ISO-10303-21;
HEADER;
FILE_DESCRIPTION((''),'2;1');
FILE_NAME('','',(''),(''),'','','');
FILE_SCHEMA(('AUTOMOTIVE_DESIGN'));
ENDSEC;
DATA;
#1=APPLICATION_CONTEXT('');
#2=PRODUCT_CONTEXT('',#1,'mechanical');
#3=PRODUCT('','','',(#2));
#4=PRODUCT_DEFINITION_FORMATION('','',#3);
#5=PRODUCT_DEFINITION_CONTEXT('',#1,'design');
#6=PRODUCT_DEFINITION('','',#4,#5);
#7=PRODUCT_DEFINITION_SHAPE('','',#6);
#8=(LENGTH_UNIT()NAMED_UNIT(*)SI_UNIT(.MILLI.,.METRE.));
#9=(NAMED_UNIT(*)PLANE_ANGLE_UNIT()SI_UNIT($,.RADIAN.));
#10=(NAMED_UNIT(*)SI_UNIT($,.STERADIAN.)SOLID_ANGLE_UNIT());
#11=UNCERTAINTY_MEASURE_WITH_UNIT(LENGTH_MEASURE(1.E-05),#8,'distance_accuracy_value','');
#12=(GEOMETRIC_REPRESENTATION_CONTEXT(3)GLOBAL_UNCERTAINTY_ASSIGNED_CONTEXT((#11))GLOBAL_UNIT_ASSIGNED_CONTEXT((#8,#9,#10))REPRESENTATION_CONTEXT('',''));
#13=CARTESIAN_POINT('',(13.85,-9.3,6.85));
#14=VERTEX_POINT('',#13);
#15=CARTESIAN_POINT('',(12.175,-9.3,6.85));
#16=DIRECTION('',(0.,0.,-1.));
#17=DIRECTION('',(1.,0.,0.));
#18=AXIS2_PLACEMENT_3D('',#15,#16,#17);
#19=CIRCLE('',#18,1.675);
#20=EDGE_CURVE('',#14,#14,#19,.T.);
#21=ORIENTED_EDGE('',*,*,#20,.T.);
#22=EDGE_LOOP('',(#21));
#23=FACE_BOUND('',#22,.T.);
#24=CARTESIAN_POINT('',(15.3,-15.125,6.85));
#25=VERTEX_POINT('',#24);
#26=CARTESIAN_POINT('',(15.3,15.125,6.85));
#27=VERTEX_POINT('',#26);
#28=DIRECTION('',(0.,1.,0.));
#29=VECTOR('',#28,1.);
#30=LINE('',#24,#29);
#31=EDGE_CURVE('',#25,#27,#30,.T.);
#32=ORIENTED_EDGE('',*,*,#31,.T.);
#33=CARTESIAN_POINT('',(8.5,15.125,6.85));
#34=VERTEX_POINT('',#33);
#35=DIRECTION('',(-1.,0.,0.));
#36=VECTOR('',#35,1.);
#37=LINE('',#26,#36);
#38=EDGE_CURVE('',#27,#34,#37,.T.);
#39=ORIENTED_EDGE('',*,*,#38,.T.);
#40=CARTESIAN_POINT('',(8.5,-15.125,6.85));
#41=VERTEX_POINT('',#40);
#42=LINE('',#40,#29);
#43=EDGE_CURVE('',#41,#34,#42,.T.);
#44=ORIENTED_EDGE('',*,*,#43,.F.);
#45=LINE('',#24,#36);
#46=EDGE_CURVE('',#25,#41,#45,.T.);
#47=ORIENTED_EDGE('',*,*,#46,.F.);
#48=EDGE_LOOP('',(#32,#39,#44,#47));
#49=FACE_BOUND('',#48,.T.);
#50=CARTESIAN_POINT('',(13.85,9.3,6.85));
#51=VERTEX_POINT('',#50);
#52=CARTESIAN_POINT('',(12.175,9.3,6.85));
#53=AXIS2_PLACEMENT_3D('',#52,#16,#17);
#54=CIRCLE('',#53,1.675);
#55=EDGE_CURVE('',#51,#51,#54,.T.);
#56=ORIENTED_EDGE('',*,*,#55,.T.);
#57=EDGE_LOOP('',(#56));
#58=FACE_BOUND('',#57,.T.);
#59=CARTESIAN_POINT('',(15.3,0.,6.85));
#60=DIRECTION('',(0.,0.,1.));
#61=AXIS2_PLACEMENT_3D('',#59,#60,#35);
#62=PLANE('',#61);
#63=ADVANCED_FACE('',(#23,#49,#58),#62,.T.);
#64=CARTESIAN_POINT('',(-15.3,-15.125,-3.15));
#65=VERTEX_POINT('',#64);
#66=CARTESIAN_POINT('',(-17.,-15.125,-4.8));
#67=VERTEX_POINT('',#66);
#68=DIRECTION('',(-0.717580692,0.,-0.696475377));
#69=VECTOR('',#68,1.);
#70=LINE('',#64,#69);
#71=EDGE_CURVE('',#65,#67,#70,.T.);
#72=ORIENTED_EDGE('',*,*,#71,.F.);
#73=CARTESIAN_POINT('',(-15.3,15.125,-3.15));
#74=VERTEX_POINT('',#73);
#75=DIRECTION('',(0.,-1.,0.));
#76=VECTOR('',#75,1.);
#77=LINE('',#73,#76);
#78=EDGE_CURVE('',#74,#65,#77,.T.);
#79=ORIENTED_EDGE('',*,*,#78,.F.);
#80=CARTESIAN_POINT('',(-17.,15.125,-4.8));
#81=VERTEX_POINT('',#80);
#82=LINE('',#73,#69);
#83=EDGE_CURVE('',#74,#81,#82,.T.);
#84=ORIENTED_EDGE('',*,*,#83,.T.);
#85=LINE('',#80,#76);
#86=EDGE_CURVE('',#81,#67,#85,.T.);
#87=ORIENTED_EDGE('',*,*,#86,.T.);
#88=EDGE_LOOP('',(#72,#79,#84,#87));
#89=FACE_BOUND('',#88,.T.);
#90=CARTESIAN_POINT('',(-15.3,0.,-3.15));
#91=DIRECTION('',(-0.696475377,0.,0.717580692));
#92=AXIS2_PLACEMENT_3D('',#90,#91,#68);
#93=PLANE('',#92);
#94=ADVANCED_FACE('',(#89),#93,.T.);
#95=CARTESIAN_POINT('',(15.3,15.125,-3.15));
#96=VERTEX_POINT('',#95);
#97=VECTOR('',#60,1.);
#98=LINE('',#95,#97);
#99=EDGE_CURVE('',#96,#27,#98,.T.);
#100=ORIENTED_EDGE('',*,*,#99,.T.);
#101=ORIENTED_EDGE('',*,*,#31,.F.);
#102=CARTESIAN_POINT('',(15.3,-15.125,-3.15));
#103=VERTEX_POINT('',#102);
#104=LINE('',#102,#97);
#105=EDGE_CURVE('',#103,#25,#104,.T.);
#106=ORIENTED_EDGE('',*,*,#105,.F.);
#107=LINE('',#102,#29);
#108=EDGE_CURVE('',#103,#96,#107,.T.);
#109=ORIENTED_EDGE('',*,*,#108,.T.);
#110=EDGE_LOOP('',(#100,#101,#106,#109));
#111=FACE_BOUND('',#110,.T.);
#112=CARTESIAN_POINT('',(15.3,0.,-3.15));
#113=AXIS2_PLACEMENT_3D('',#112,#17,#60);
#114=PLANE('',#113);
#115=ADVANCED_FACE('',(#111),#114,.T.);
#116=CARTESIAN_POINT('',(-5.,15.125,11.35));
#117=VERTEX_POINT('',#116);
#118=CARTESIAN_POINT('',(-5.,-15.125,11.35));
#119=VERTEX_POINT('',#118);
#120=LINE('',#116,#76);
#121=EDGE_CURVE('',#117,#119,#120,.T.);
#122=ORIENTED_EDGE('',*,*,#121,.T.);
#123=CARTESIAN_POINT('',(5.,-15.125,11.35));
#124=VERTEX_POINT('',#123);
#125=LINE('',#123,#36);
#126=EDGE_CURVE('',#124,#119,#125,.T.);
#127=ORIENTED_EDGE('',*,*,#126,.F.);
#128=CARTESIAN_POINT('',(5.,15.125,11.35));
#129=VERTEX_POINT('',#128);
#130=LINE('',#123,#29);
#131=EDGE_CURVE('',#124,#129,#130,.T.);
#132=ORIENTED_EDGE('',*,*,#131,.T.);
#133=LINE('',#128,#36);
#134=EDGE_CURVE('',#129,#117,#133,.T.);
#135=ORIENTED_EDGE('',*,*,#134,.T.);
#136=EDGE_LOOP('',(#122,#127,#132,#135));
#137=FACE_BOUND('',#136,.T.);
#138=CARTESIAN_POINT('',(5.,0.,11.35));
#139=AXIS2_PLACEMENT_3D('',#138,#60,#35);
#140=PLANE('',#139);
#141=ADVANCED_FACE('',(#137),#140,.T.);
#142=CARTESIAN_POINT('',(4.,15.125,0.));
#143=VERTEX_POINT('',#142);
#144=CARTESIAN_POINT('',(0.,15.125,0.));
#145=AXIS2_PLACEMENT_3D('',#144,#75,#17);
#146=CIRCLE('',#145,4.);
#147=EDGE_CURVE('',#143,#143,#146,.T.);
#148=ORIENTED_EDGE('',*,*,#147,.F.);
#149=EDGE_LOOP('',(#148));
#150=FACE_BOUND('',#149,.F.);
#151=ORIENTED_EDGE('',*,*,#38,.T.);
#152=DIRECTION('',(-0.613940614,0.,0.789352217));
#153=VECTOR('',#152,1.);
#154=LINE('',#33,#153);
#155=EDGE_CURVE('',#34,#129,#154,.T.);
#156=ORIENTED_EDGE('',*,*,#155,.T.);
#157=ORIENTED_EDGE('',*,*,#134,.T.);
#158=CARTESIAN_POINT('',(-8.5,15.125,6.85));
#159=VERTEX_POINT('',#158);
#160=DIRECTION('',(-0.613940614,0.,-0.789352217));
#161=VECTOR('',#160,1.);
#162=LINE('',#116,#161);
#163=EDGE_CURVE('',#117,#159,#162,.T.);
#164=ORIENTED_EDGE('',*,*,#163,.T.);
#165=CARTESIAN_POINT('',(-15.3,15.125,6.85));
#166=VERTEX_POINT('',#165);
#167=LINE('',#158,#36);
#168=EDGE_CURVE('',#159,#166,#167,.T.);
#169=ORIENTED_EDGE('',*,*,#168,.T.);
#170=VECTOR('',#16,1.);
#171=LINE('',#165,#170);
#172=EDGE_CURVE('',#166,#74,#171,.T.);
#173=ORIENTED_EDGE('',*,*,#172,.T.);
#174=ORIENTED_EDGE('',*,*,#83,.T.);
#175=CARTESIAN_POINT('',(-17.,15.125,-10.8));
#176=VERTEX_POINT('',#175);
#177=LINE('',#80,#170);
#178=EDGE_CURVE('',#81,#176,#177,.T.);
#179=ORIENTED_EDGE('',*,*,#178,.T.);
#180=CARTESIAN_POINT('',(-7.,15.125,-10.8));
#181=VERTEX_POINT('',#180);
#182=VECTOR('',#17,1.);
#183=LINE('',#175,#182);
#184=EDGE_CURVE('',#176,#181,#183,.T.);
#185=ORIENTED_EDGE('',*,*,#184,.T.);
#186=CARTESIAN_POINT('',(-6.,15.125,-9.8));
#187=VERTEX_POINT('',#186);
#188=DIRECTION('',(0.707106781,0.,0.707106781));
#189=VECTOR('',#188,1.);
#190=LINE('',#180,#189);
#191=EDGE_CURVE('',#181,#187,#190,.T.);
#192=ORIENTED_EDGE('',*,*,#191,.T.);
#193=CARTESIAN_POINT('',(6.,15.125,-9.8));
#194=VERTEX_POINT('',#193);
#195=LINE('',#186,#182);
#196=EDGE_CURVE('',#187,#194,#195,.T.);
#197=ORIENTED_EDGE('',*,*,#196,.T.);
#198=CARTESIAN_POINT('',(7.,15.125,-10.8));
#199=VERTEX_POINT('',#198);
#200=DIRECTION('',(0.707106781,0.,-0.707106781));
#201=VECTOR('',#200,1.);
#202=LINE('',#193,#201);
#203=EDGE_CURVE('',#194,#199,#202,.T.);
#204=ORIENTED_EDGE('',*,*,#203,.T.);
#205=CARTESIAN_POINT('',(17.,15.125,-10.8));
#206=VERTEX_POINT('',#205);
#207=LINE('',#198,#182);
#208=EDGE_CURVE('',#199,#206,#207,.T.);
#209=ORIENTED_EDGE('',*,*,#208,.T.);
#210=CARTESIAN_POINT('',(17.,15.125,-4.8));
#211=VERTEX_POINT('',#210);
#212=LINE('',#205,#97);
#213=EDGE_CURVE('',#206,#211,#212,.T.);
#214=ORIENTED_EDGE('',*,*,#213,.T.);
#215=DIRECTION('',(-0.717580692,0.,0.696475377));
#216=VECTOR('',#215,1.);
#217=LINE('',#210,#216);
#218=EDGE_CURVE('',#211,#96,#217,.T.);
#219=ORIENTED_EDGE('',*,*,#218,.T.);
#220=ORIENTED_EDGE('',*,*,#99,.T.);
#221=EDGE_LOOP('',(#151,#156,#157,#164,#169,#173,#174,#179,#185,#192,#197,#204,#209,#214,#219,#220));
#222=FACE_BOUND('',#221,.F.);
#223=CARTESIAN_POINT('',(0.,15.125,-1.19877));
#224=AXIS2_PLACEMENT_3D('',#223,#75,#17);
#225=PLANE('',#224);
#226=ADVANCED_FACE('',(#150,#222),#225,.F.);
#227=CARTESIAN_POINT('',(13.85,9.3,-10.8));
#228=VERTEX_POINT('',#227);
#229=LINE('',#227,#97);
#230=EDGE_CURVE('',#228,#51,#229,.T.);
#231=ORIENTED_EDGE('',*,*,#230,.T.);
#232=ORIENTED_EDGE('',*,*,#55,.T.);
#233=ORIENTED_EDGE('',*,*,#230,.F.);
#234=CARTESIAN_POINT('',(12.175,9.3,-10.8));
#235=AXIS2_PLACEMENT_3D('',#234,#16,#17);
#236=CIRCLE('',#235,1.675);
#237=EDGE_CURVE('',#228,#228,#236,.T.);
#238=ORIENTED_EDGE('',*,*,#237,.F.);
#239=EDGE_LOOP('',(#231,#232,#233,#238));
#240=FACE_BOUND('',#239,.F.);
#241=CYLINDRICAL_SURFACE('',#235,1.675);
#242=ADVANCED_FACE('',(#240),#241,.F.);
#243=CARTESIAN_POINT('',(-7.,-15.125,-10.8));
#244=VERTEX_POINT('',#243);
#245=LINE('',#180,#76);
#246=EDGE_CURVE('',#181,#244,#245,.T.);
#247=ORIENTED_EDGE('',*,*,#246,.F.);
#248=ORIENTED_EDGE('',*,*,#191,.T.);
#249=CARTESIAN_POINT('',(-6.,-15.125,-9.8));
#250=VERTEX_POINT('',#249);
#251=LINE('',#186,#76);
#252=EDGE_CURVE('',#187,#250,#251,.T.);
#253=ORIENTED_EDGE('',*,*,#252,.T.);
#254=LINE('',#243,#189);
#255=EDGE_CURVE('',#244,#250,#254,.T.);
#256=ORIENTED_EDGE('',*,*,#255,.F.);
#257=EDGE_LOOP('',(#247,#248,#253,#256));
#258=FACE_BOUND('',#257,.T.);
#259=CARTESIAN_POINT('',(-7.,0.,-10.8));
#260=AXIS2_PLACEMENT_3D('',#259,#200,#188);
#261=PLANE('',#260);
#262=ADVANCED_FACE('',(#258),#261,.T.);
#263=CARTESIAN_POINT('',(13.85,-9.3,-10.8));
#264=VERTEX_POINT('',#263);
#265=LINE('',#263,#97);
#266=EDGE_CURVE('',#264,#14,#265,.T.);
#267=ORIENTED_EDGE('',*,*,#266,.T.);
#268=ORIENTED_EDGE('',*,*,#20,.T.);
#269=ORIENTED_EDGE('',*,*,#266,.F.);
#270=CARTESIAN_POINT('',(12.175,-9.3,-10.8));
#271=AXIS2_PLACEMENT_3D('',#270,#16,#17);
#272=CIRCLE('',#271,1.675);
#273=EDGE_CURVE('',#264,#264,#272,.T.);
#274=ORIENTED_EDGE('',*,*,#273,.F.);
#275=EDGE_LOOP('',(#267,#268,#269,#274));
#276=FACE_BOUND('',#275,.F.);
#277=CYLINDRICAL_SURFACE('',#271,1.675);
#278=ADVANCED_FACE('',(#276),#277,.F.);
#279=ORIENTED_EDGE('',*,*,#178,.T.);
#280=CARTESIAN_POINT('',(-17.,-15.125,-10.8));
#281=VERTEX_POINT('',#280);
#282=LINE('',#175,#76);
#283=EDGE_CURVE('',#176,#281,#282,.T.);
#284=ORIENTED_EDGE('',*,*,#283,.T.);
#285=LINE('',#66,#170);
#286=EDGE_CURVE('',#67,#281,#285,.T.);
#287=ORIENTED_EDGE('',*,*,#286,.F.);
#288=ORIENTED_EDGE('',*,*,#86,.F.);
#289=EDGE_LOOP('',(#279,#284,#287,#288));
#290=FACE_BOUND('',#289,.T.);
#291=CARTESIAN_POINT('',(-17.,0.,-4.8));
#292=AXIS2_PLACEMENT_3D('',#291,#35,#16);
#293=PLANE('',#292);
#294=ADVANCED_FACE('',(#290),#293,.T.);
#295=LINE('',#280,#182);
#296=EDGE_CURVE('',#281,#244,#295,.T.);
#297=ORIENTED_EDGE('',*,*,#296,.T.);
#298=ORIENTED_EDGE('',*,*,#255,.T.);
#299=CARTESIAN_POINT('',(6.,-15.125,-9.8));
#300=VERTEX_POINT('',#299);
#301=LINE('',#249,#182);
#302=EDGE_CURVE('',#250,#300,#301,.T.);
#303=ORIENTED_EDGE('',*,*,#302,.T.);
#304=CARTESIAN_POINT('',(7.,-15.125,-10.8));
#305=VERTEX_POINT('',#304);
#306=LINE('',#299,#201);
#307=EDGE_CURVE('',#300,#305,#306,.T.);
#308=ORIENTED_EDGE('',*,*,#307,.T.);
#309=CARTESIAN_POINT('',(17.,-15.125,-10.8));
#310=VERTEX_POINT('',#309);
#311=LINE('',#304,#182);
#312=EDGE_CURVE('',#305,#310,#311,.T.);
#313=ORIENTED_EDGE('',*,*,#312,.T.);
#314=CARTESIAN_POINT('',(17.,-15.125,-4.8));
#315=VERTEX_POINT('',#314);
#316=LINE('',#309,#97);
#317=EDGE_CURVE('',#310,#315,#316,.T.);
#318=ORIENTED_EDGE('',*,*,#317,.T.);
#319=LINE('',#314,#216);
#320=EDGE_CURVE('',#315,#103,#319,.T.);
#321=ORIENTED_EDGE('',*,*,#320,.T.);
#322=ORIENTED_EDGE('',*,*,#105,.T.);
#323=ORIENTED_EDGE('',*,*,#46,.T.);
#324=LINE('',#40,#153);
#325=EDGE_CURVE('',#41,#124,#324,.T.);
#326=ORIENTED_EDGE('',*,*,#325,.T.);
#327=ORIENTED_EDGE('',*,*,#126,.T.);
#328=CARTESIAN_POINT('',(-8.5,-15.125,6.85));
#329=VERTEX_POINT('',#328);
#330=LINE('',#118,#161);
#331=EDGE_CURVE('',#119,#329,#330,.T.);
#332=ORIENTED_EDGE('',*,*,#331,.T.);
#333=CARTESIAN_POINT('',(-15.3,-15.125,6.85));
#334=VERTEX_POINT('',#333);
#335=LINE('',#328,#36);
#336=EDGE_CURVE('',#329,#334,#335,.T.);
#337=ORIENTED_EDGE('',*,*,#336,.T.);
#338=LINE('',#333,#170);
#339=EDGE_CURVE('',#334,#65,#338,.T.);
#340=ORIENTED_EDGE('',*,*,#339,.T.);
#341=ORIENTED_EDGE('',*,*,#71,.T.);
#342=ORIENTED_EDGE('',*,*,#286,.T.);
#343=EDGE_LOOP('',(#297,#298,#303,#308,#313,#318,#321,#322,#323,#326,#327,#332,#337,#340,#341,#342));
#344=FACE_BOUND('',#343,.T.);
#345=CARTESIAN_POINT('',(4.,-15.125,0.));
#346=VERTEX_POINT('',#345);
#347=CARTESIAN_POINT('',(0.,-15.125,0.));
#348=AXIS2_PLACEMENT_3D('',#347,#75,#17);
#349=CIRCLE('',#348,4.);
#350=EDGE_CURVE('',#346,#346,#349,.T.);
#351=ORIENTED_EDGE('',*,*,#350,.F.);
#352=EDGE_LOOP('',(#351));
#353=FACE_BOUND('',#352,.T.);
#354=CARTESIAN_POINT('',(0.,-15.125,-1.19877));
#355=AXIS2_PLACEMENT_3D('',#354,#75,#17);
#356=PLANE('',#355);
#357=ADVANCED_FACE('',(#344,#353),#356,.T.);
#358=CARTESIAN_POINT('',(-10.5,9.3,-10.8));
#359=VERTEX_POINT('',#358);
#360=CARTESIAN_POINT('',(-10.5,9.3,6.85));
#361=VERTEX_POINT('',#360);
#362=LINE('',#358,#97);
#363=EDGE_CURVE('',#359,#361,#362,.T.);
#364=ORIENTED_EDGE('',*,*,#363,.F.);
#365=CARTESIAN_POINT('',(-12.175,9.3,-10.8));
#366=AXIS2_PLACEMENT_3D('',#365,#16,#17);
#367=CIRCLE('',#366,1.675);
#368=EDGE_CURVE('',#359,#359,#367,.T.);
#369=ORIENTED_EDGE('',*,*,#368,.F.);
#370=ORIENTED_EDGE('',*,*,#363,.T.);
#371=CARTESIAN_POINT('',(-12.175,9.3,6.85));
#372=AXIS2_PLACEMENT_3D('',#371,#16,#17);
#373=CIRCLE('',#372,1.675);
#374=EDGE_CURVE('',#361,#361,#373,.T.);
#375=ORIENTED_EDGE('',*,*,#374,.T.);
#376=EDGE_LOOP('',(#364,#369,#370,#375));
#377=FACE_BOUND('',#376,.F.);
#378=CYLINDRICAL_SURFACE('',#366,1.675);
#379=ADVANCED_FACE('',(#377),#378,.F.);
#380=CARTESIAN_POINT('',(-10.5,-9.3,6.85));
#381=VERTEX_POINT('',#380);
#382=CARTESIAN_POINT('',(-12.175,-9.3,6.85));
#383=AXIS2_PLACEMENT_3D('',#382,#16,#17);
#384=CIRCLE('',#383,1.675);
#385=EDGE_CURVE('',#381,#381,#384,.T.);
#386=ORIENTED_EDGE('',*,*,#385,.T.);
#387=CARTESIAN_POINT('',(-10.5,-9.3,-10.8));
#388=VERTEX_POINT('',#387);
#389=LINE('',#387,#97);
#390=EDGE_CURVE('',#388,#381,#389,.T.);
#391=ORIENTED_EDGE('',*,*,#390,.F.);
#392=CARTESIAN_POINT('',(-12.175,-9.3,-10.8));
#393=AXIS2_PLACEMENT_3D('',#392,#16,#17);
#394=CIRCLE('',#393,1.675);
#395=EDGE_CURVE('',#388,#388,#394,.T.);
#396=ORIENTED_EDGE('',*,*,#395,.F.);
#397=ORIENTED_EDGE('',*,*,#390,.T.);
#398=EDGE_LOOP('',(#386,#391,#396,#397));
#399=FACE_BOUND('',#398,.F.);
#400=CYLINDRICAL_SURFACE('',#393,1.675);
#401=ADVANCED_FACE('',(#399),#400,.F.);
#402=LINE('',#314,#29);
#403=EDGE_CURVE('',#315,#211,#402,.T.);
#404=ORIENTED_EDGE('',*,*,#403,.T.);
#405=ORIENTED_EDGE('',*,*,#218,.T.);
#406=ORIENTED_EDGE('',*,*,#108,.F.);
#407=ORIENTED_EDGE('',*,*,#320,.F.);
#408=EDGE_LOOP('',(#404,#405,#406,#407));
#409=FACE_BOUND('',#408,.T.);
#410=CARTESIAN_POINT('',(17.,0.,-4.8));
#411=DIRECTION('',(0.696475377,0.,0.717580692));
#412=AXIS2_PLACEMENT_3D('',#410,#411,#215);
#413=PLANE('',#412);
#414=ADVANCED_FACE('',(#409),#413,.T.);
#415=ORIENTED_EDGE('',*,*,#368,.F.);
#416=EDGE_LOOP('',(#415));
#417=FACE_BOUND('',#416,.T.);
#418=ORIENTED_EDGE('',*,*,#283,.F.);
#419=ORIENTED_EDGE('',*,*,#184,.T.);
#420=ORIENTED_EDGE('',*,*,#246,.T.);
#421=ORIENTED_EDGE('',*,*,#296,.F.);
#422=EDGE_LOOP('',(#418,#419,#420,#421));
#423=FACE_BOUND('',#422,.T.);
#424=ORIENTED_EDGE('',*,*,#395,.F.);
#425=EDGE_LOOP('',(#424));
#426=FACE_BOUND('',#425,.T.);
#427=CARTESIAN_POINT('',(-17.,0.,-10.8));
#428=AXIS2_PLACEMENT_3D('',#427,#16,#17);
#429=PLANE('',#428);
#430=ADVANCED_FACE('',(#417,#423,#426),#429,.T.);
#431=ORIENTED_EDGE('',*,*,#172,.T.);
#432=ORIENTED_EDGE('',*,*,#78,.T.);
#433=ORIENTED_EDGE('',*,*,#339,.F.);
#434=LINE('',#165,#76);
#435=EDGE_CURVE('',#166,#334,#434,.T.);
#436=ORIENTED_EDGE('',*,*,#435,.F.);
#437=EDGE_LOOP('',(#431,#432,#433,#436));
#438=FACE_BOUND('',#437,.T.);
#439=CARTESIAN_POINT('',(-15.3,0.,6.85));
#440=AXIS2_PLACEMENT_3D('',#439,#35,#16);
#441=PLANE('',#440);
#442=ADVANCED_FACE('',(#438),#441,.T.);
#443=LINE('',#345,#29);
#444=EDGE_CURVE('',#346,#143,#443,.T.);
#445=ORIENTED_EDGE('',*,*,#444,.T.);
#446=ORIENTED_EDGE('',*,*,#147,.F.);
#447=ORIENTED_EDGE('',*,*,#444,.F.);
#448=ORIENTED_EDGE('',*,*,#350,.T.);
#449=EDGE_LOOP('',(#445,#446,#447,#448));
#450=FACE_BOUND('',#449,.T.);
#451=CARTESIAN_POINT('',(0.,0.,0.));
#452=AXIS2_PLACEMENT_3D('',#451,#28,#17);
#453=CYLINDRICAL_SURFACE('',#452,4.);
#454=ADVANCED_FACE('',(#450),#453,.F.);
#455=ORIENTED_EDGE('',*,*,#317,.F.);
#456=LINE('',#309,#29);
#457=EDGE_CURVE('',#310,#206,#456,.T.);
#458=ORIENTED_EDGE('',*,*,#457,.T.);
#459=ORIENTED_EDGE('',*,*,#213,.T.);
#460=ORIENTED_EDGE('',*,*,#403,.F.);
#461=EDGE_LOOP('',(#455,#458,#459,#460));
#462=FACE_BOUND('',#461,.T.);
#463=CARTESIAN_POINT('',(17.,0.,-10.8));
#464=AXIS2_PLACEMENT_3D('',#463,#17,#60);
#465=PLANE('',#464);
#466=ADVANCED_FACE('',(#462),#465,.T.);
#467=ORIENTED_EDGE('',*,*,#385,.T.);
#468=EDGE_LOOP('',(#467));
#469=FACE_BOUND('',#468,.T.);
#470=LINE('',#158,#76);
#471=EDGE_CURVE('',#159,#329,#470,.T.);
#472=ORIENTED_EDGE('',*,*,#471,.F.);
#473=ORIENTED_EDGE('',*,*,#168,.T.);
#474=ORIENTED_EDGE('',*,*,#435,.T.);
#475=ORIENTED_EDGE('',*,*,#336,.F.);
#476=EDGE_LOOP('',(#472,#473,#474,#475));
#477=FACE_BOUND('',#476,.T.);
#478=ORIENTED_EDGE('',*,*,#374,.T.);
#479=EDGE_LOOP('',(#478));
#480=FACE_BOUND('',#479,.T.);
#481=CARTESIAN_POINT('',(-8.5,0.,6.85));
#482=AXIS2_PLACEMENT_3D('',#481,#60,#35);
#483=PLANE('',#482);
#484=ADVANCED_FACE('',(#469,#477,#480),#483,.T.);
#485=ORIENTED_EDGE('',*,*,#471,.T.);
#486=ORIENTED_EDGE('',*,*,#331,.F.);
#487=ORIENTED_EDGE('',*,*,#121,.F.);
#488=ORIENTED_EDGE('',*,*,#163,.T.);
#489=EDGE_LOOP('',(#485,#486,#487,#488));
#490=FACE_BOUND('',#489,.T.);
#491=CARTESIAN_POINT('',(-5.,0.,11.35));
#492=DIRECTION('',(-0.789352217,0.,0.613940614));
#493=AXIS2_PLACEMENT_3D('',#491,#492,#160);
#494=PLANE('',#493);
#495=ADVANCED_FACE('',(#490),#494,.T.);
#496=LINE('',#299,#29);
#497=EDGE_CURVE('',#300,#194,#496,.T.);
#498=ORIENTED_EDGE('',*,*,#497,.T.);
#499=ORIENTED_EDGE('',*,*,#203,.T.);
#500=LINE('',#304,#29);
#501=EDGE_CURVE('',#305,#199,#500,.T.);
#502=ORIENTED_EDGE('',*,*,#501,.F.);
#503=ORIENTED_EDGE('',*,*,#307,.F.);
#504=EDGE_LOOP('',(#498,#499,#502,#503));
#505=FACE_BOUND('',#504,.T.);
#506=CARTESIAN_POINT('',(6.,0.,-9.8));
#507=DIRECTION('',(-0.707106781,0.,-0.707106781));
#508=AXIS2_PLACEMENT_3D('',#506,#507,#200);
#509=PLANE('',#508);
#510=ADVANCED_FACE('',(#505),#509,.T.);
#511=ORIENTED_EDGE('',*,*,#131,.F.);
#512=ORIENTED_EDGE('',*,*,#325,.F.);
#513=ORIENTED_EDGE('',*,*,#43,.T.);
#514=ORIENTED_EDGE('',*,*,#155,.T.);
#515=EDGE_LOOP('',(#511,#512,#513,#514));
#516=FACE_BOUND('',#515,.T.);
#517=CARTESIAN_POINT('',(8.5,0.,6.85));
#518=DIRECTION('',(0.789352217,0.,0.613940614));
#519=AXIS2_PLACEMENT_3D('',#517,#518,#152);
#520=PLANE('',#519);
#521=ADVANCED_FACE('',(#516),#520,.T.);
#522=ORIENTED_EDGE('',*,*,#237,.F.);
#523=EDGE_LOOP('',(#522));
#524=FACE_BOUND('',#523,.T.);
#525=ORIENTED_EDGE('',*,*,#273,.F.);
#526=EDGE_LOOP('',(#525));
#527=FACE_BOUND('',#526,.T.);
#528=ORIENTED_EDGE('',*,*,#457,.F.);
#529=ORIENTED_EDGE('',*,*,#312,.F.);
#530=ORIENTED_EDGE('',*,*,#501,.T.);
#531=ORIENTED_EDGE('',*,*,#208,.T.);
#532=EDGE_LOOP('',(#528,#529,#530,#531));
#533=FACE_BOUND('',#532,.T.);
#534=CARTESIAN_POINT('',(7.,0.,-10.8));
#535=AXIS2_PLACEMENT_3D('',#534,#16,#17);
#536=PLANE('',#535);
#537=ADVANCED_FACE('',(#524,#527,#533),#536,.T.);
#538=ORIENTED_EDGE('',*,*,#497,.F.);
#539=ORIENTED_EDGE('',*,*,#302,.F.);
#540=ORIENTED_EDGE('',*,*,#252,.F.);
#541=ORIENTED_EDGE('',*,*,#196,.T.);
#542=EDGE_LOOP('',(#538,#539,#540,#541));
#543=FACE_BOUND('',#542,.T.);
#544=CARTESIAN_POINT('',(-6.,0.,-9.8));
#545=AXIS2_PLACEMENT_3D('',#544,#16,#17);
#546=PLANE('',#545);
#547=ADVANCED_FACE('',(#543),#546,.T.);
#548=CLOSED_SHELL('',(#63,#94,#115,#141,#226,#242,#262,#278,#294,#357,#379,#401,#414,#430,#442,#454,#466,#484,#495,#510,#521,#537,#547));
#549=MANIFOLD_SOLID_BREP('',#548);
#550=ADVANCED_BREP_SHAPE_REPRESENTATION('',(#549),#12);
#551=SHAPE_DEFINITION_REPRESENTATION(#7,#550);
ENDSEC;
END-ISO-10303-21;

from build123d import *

# Parameters (mm, degrees)
F0_R     = 4
F1_DEPTH = 15.125
F2_R     = 1.675
F3_DEPTH = 22.151


with BuildPart() as f1:
    # F0 (on Front) → F1 (new body, symmetric)
    with BuildSketch(Plane.XZ):
        Polygon((5, 11.35), (-5, 11.35), (-8.5, 6.85), (-15.3, 6.85), (-15.3, -3.15), (-17, -4.8), (-17, -10.8), (-7, -10.8), (-6, -9.8), (6, -9.8), (7, -10.8), (17, -10.8), (17, -4.8), (15.3, -3.15), (15.3, 6.85), (8.5, 6.85), align=None)
        Circle(F0_R, mode=Mode.SUBTRACT)
    extrude(amount=F1_DEPTH, both=True)

    # F2 (on face) → F3 (cut, through all)
    with BuildSketch(Plane(origin=(0, 0, -10.8), x_dir=(1, 0, 0), z_dir=(0, 0, -1))):
        with Locations((-12.175, 9.3)):
            Circle(F2_R)
        with Locations((12.175, 9.3)):
            Circle(F2_R)
        with Locations((-12.175, -9.3)):
            Circle(F2_R)
        with Locations((12.175, -9.3)):
            Circle(F2_R)
    extrude(amount=-F3_DEPTH, mode=Mode.SUBTRACT)


solid = f1.part
